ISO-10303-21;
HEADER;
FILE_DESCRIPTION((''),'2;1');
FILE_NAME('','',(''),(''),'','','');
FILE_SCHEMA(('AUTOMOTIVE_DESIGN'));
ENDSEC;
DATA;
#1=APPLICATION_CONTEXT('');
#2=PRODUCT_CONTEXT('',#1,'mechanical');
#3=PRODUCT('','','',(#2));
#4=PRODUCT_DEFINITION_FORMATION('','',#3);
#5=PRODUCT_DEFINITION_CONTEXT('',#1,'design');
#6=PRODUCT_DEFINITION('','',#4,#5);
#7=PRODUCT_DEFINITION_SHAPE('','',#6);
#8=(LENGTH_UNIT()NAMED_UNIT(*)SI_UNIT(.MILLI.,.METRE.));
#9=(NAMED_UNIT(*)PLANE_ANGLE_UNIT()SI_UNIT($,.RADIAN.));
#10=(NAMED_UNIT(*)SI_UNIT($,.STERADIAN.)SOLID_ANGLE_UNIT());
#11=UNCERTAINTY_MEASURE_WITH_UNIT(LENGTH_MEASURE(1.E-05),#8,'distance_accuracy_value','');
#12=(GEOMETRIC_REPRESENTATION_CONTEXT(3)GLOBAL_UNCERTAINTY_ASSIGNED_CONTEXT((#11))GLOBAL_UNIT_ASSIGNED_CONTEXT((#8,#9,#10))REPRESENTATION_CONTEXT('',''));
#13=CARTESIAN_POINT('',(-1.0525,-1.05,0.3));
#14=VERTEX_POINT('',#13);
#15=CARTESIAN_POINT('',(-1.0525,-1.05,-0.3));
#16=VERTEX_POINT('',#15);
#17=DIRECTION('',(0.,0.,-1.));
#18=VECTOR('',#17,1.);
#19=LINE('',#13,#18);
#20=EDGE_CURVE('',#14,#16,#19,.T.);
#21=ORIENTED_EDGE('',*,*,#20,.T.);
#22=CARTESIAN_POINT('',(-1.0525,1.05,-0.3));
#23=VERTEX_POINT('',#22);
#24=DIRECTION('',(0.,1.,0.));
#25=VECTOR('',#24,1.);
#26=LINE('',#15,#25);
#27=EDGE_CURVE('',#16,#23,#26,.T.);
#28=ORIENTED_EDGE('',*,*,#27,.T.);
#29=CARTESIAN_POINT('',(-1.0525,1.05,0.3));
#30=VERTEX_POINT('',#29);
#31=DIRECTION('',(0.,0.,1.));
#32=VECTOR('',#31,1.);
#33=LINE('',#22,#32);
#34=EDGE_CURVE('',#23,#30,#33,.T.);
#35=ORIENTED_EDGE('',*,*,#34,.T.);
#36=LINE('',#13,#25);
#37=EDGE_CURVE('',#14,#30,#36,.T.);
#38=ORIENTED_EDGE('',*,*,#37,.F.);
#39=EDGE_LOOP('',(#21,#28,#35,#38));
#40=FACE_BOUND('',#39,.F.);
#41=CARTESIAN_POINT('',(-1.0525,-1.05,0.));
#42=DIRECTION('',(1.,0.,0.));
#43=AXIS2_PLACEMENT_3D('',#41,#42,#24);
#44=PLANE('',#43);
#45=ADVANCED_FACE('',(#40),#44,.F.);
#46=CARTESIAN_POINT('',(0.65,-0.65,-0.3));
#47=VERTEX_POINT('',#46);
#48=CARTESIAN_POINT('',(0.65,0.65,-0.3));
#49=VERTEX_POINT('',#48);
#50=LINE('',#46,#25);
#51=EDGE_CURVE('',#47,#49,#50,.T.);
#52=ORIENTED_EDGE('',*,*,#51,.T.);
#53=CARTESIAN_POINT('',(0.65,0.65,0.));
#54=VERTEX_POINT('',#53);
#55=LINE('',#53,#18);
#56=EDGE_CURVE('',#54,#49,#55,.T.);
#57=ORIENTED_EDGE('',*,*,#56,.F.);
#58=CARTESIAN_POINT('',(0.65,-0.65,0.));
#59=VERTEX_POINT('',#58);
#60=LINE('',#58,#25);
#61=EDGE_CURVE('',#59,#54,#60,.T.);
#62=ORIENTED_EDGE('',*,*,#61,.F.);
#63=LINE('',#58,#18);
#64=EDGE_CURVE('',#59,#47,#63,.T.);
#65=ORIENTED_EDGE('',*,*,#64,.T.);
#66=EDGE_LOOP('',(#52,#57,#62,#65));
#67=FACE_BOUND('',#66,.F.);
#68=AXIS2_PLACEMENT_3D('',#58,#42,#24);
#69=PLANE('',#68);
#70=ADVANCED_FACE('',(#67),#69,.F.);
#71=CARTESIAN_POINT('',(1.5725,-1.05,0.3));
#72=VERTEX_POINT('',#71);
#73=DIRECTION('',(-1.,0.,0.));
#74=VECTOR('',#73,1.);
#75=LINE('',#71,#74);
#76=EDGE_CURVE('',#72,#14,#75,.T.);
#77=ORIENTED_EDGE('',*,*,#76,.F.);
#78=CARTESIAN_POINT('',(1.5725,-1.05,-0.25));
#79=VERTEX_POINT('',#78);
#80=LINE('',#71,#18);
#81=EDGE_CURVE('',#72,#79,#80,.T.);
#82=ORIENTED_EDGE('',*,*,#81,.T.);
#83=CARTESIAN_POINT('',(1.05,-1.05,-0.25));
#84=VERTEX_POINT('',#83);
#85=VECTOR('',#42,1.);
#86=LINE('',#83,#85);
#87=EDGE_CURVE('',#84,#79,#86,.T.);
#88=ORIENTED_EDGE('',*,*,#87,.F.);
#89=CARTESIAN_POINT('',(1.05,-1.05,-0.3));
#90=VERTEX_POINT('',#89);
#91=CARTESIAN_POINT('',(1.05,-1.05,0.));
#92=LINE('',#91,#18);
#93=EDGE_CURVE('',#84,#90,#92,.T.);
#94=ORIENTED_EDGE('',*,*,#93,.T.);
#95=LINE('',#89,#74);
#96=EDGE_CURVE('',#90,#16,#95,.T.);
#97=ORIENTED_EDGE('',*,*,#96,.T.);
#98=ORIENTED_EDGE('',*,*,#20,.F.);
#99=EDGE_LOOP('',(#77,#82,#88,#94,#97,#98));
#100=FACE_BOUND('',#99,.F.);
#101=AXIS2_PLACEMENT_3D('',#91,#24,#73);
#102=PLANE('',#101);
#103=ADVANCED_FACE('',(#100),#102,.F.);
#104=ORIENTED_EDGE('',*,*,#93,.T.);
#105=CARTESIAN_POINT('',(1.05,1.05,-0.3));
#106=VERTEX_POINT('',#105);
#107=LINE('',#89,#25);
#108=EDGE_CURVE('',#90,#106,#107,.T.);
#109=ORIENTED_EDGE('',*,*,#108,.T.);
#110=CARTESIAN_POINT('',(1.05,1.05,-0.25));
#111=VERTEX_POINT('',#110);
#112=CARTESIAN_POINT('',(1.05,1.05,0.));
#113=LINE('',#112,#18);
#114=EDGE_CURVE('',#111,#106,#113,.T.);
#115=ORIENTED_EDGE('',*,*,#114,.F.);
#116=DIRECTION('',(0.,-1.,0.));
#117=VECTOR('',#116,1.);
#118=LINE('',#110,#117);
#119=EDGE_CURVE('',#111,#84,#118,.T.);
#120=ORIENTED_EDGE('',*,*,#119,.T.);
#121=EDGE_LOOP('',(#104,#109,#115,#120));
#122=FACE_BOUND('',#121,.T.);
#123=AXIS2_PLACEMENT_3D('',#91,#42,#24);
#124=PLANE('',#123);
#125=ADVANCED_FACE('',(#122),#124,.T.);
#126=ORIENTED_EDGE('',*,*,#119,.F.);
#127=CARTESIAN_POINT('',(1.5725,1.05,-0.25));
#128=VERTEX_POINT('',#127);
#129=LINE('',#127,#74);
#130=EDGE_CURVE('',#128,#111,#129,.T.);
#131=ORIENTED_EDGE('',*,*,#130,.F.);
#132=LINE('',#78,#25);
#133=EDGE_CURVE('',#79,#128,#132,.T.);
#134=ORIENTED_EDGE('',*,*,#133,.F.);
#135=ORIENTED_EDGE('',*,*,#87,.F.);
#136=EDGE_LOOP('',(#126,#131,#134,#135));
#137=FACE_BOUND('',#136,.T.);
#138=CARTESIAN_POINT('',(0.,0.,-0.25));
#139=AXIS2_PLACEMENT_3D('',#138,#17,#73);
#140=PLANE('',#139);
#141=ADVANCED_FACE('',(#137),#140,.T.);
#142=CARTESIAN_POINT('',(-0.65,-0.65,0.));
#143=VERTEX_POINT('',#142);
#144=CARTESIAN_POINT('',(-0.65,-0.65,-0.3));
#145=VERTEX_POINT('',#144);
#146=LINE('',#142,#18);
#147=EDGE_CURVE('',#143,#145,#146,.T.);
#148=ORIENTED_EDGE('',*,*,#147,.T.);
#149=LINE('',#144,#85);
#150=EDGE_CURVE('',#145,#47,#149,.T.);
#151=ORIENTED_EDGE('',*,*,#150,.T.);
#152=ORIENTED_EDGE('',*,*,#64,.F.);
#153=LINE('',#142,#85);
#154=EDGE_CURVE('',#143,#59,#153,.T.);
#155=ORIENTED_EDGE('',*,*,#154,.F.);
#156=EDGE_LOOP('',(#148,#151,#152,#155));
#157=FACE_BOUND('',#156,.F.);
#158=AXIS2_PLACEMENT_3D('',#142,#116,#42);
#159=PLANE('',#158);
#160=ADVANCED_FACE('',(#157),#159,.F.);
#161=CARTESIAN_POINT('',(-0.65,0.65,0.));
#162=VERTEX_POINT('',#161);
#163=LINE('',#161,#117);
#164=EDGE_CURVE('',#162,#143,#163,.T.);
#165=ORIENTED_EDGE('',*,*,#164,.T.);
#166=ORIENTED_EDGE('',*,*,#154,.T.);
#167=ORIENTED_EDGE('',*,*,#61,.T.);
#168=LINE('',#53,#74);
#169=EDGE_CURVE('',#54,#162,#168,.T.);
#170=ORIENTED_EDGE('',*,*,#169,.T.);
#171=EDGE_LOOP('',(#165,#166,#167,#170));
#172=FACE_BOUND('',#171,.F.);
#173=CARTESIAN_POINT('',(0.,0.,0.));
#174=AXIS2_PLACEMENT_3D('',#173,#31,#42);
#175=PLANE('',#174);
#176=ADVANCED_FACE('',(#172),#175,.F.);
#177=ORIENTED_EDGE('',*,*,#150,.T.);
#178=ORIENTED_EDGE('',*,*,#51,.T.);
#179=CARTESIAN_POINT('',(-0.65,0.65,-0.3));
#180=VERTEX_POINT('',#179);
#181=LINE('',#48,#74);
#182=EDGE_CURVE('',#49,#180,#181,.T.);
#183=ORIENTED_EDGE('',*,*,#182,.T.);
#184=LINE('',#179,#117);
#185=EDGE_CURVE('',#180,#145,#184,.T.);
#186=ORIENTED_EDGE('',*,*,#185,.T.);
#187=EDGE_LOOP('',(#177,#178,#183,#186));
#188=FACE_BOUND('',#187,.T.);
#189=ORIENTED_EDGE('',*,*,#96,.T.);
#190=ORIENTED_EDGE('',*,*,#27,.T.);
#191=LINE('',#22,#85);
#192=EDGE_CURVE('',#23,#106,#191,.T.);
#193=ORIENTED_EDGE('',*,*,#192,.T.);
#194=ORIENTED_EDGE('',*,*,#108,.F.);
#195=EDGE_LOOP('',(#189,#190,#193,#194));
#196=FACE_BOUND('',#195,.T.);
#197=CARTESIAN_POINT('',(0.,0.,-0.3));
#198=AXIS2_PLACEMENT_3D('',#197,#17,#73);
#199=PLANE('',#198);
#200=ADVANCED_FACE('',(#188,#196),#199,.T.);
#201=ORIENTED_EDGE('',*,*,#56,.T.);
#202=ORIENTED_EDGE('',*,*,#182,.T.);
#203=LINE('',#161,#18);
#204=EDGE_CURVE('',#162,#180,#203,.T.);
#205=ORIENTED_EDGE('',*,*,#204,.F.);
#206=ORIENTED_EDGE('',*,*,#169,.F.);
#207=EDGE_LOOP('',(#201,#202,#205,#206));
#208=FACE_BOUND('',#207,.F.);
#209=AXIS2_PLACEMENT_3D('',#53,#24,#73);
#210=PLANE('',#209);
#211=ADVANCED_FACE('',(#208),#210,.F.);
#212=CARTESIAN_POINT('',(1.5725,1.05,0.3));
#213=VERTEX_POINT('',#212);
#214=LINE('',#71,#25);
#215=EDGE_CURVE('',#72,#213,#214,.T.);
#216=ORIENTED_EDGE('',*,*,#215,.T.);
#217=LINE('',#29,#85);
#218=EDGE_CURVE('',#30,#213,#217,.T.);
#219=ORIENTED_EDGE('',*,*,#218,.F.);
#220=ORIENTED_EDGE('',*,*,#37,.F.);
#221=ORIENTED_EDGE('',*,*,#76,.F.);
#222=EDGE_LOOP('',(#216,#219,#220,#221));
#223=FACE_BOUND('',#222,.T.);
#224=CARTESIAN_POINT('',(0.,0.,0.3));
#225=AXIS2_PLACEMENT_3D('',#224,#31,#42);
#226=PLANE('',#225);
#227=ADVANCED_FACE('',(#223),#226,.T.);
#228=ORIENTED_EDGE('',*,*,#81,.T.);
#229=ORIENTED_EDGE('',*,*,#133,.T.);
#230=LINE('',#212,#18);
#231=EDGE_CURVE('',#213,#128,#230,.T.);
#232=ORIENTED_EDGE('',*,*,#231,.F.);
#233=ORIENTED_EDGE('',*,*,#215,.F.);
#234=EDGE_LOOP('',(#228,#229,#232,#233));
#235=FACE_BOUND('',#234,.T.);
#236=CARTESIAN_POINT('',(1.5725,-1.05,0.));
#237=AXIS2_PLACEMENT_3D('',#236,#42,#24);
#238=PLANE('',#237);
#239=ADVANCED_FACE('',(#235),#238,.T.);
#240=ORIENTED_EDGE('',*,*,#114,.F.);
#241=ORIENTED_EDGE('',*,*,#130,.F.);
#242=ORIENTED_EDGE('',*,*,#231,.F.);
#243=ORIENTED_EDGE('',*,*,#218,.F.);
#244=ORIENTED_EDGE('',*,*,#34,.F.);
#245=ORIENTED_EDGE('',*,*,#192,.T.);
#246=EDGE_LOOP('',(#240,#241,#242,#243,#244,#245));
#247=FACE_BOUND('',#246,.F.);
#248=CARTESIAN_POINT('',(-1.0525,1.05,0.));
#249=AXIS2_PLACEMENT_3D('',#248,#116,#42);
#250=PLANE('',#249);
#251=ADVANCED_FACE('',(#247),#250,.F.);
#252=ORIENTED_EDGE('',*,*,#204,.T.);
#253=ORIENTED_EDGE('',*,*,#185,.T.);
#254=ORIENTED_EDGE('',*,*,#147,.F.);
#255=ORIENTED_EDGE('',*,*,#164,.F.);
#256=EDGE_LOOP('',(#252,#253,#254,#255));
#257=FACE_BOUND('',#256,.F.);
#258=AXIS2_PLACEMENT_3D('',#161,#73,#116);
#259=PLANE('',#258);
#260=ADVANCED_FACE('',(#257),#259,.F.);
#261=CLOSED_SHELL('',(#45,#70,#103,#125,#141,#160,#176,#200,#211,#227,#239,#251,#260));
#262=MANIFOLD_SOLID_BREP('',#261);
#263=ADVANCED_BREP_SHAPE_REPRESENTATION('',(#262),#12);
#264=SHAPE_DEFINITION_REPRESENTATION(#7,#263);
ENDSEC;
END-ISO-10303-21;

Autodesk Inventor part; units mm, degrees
ref_plane "YZ Plane" through (0, 0, 0) normal (1, 0, 0) x (0, 1, 0)
sketch "Sketch1" plane through (0, 0, 0) normal (0, 0, 1) x (1, 0, 0)
  line L0 (1.5725, 1.05) -> (1.05, 1.05) projected
  line L1 (1.05, 1.05) -> (1.05, -1.05) projected
  line L2 (1.05, -1.05) -> (1.5725, -1.05) projected
  line L3 (1.5725, -1.05) -> (1.5725, 1.05) projected
  line L4 (1.05, -1.05) -> (1.05, 1.05) projected
  line L5 (-1.0525, 1.05) -> (1.05, 1.05) projected
  line L6 (-1.0525, -1.05) -> (-1.0525, 1.05) projected
  line L7 (1.05, -1.05) -> (-1.0525, -1.05) projected
  line L8 (-0.65, -0.65) -> (0.65, -0.65) projected
  line L9 (-0.65, 0.65) -> (-0.65, -0.65) projected
  line L10 (0.65, 0.65) -> (-0.65, 0.65) projected
  line L11 (0.65, -0.65) -> (0.65, 0.65) projected
  point P0 (0, 0)
extrude "Extrusion1" add sketch "Sketch1" along normal blind 0.3 contours L3 L2 L1 L0 | L1 L7 L6 L5 | L9 L10 L11 L8
sketch "Sketch2" plane through (0, 0, 0) normal (0, 0, -1) x (-1, 0, 0)
  line L0 (-1.5725, 1.05) -> (-1.05, 1.05)
  line L1 (-1.05, 1.05) -> (-1.05, -1.05)
  line L2 (-1.05, -1.05) -> (-1.5725, -1.05)
  line L3 (-1.5725, -1.05) -> (-1.5725, 1.05)
  point P0 (0, 0)
ref_plane "Work Plane1" through (1.05, -1.05, -0.25) normal (0, 0, 1) x (1, 0, 0)
extrude "Extrusion2" add sketch "Sketch2" along normal up to surface (0.25 mm away)
sketch "Sketch3" plane through (0, 0, 0) normal (0, 0, -1) x (-1, 0, 0)
  line L0 (-1.05, -1.05) -> (-1.05, 1.05)
  line L1 (1.0525, 1.05) -> (-1.05, 1.05)
  line L2 (1.0525, -1.05) -> (1.0525, 1.05)
  line L3 (-1.05, -1.05) -> (1.0525, -1.05)
  line L4 (0.65, -0.65) -> (-0.65, -0.65)
  line L5 (0.65, 0.65) -> (0.65, -0.65)
  line L6 (-0.65, 0.65) -> (0.65, 0.65)
  line L7 (-0.65, -0.65) -> (-0.65, 0.65)
  point P0 (0, 0)
ref_plane "Work Plane2" through (-1.0525, -1.05, -0.3) normal (0, 0, 1) x (1, 0, 0)
extrude "Extrusion3" add sketch "Sketch3" along normal up to surface (0.3 mm away)
properties part number "epoxy" material "Glass"
